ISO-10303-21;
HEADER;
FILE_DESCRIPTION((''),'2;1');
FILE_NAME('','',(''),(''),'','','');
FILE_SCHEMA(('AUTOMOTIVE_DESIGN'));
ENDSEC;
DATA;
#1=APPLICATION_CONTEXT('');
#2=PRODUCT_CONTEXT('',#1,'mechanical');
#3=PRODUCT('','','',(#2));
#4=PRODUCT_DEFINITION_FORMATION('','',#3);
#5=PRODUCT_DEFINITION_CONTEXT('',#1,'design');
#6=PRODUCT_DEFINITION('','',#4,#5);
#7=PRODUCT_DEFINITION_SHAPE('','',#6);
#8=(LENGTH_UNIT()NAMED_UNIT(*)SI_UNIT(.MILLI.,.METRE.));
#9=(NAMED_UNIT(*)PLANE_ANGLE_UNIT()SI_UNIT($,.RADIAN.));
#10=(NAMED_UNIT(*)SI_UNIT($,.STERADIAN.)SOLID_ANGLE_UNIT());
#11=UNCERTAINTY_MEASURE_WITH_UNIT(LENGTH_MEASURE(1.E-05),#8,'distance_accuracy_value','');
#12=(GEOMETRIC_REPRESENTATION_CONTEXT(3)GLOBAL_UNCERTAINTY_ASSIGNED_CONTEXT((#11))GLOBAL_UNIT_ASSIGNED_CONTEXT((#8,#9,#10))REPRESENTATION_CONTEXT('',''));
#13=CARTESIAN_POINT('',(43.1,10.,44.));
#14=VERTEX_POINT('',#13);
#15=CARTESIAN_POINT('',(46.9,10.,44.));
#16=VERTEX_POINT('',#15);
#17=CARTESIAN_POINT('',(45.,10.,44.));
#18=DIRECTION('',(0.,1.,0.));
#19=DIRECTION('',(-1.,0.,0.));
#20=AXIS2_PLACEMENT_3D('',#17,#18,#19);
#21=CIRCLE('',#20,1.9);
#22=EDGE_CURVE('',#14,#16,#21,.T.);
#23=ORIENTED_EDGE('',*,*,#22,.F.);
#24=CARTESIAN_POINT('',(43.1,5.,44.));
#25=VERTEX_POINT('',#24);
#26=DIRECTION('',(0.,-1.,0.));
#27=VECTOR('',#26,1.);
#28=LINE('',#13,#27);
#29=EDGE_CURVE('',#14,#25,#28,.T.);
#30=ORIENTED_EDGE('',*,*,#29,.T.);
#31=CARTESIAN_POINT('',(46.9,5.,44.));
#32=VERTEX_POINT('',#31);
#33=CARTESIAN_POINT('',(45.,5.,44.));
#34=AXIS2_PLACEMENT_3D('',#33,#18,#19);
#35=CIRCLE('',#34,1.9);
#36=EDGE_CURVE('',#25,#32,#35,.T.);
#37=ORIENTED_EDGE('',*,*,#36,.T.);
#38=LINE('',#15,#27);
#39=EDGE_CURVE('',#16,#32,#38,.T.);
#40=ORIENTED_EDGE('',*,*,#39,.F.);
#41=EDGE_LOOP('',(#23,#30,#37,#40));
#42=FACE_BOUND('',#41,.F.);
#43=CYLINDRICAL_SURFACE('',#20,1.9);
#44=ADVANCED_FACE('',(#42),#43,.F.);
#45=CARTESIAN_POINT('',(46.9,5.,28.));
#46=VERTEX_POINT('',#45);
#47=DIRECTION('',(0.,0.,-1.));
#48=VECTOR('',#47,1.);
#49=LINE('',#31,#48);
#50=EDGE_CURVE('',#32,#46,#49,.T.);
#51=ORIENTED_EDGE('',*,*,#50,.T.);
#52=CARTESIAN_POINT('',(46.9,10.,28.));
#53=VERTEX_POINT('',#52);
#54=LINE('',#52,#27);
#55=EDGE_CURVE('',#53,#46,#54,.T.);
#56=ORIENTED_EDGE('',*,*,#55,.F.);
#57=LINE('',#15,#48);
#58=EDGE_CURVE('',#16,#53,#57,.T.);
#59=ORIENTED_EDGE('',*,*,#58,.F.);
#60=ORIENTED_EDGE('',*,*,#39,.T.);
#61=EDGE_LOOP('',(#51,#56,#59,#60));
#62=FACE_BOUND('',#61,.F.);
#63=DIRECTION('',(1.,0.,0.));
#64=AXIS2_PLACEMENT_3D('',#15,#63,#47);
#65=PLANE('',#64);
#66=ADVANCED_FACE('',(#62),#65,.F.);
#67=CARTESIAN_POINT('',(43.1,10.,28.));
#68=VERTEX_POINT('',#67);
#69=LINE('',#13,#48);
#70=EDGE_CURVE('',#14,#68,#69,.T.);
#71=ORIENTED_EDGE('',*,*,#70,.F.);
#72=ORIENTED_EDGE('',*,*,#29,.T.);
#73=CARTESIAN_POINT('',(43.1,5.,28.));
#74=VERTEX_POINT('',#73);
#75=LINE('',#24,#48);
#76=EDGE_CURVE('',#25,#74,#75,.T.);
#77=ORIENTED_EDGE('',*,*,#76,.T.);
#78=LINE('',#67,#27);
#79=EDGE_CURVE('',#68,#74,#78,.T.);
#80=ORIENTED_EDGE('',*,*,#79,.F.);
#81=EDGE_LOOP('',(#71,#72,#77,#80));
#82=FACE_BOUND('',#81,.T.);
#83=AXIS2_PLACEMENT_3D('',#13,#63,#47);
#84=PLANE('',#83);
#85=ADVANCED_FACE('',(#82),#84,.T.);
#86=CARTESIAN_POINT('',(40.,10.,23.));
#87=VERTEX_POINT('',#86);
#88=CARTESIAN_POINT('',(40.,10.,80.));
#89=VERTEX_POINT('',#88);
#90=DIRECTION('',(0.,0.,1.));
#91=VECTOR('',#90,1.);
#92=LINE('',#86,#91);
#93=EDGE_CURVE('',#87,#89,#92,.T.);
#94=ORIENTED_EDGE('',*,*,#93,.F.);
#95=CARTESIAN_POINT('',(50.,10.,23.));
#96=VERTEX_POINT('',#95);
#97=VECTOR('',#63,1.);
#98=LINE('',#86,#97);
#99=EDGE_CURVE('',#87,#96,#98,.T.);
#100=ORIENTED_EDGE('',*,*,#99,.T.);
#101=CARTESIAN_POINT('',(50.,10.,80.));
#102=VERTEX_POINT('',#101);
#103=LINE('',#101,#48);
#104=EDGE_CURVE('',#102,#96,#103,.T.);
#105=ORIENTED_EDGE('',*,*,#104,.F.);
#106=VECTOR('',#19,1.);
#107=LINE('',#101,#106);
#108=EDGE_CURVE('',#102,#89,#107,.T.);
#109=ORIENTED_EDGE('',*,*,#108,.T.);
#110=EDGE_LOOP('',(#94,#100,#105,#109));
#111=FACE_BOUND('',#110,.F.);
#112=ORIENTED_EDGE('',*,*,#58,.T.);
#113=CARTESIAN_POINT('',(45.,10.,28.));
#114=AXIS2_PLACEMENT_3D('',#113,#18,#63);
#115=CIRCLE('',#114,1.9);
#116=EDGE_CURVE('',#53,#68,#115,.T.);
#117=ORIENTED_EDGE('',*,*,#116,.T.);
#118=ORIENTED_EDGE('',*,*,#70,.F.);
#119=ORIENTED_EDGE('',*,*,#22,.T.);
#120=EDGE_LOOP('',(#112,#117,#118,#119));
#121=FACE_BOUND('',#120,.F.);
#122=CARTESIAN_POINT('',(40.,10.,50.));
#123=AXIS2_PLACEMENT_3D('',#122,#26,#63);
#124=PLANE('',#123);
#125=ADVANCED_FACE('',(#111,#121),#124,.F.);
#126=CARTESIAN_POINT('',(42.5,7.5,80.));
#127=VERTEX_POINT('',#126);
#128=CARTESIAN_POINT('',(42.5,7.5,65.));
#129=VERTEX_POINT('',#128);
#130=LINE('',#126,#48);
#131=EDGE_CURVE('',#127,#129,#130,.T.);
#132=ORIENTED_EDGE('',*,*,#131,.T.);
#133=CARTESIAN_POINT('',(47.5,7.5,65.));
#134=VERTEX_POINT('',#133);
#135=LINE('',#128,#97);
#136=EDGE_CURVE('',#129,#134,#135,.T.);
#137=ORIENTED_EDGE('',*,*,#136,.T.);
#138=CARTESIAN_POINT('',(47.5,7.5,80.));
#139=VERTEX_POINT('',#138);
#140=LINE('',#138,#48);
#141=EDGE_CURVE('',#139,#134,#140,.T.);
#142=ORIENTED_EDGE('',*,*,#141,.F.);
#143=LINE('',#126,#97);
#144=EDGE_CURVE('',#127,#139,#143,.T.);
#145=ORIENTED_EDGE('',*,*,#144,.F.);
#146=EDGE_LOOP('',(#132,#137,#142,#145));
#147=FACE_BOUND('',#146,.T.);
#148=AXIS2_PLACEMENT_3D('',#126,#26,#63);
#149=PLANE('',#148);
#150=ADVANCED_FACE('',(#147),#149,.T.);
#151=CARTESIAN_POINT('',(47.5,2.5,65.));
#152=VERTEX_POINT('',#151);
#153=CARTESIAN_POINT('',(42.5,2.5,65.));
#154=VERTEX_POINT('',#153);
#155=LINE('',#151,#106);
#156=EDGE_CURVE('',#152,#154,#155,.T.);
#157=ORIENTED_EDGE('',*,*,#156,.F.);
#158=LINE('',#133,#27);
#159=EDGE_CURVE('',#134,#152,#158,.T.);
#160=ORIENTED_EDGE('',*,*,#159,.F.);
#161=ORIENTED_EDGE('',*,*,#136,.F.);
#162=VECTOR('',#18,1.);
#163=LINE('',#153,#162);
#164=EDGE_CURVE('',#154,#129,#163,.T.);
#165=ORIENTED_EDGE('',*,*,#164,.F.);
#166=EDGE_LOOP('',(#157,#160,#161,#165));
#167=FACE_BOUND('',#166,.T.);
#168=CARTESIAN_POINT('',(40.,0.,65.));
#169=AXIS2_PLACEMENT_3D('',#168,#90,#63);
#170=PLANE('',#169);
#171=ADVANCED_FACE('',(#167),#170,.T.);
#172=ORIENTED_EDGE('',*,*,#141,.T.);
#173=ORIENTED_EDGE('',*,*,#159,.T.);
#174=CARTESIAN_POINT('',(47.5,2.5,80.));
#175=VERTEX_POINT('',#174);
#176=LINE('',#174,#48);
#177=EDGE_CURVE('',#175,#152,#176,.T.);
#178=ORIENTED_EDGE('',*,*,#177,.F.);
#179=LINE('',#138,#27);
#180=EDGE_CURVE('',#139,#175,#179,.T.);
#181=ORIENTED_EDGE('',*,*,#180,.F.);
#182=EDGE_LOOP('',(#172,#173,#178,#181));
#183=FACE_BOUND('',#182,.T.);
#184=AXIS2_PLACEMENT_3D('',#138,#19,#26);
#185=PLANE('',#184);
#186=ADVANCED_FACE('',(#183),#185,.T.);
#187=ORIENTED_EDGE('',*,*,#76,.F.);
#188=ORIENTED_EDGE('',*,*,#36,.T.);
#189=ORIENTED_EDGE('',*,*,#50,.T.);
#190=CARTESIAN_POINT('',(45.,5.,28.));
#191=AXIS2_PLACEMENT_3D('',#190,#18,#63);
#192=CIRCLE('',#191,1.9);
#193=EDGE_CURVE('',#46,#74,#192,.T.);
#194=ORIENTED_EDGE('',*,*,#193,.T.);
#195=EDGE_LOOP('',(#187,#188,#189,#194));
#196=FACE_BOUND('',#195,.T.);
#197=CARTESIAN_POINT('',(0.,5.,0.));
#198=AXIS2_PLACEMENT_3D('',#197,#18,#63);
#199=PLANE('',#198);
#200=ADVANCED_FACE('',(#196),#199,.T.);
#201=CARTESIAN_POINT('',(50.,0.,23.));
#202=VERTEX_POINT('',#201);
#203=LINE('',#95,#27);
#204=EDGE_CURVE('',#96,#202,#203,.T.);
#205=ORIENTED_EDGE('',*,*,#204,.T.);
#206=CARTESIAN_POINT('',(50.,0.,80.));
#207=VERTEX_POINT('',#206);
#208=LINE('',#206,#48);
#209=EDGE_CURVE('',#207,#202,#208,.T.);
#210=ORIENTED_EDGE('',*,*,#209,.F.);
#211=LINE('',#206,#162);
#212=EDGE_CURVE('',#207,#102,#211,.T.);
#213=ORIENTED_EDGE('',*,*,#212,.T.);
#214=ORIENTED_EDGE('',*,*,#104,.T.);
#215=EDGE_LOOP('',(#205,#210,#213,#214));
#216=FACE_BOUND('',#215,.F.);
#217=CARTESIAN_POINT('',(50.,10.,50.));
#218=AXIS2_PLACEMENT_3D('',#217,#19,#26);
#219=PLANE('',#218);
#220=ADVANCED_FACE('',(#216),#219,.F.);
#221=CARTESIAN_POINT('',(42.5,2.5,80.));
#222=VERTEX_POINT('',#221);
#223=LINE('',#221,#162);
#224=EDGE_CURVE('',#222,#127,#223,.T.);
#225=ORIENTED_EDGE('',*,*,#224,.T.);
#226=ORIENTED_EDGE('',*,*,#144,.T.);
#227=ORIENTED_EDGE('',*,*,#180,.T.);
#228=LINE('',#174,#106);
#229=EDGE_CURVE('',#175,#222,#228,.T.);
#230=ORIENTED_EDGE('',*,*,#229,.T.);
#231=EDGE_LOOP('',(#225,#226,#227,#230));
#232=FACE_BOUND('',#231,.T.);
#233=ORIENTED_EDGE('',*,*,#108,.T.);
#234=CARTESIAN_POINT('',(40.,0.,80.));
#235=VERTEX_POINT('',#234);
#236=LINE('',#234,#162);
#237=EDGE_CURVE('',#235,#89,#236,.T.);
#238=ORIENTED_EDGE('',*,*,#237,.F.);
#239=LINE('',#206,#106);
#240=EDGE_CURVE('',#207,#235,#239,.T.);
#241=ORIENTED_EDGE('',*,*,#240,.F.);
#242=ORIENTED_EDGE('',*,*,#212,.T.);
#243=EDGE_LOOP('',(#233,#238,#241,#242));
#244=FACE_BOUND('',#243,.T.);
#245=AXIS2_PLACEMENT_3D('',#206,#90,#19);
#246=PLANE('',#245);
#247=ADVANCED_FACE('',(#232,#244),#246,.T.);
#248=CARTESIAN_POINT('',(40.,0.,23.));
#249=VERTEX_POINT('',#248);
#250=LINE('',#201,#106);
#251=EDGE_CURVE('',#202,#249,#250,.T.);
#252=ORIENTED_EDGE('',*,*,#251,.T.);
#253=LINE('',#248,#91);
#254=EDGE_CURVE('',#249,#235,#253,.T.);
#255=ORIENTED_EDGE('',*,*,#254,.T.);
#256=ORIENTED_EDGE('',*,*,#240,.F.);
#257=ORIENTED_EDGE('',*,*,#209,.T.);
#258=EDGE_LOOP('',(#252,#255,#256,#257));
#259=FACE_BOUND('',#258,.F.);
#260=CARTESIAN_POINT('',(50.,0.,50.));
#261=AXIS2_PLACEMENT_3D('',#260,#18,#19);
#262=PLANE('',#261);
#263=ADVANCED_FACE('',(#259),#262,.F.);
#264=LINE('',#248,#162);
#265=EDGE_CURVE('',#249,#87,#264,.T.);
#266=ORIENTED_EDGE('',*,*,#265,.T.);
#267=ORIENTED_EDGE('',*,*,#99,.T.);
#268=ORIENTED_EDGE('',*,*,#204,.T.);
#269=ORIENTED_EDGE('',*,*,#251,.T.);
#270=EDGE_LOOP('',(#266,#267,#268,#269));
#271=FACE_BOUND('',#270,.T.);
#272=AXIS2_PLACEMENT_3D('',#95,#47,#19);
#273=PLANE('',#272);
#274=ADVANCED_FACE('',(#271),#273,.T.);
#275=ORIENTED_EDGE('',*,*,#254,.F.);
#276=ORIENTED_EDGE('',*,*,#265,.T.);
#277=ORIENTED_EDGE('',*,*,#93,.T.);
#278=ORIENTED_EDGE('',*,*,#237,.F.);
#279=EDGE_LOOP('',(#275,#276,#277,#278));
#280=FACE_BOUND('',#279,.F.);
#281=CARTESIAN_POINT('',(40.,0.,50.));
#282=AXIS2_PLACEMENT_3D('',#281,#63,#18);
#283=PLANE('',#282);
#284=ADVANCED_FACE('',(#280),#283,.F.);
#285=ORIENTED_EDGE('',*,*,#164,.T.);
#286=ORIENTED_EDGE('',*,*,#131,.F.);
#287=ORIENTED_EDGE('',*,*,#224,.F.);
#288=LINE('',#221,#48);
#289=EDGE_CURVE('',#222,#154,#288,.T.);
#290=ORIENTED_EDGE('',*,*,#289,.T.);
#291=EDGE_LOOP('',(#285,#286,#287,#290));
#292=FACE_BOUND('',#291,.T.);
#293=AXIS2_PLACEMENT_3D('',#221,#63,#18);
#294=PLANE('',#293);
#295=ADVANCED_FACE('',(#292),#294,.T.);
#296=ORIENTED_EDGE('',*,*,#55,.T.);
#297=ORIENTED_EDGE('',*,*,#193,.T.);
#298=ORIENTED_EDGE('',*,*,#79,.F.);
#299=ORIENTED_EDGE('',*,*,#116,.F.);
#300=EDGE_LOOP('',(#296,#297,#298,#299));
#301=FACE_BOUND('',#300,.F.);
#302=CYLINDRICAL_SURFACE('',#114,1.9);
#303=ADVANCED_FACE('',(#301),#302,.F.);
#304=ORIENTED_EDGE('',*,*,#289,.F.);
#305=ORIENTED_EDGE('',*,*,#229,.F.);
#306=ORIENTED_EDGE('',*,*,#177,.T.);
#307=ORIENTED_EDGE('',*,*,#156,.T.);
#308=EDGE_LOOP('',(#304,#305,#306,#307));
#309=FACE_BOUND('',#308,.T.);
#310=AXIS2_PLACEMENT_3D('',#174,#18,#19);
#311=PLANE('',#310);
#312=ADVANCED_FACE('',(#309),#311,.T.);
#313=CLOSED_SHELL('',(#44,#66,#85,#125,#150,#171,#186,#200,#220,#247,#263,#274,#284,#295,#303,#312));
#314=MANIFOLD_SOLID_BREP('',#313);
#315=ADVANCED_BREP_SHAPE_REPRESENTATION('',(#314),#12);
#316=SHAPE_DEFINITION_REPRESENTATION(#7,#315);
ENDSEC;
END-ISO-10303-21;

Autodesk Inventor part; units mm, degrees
ref_plane "YZ Plane" through (0, 0, 0) normal (1, 0, 0) x (0, 1, 0)
ref_plane "XZ Plane" through (0, 0, 0) normal (0, 1, 0) x (-1, 0, 0)
ref_plane "XY Plane" through (0, 0, 0) normal (0, 0, 1) x (1, 0, 0)
sketch "Sketch1" plane through (0, 0, 0) normal (0, 1, 0) x (-1, 0, 0)
  line L0 (50, 80) -> (-50, 80) construction
  line L1 (-50, 80) -> (-50, -80) construction
  line L2 (-50, -80) -> (50, -80) construction
  line L3 (50, -80) -> (50, 80) construction
  line L4 (50, -80) -> (40, -80)
  line L5 (40, -80) -> (40, -50)
  line L6 (50, -80) -> (50, -50)
  line L7 (-50, 80) -> (-50, 60)
  line L8 (-50, 80) -> (-40, 80)
  line L9 (-40, 80) -> (-40, 60)
  line L10 (-40, 60) -> (50, -50)
  line L11 (-50, 60) -> (40, -50)
  point P0 (0, 0)
  point P1 (50, 0)
  point P2 (0, -80)
  dimension "d0" = 160
  dimension "d1" = 100
  dimension "d2" = 10
  dimension "d3" = 30
  dimension "d4" = 20
  dimension "d5" = 10
extrude "Extrusion1" add sketch "Sketch1" along normal blind 10
sketch "Sketch2" plane through (40, 0, 80) normal (0, 0, 1) x (1, 0, 0)
  line L0 (-90, 0) -> (0, 0) construction
  line L1 (10, 10) -> (-80, 10) construction
  line L2 (0, 0) -> (10, 10) construction
  line L3 (2.5, 7.5) -> (7.5, 7.5)
  line L4 (7.5, 7.5) -> (7.5, 2.5)
  line L5 (7.5, 2.5) -> (2.5, 2.5)
  line L6 (2.5, 2.5) -> (2.5, 7.5)
  line L7 (2.5, 7.5) -> (7.5, 2.5) construction
  line L8 (7.5, 7.5) -> (2.5, 2.5) construction
  point P0 (-40, 0)
  point P1 (5, 5)
  dimension "d8" = 5
  dimension "d9" = 5
extrude "Extrusion2" cut sketch "Sketch2" against normal blind 15
sketch "Sketch4" plane through (0, 10, 0) normal (0, 1, 0) x (1, 0, 0)
  line L0 (50, -80) -> (50, -60) projected
  line L1 (50, -60) -> (-84.9338, -60)
  line L2 (-84.9338, -60) -> (-84.9338, 89.9806)
  line L3 (-84.9338, 89.9806) -> (50, 89.9806)
  line L4 (50, 89.9806) -> (50, -60)
  point P0 (0, 0)
extrude "Extrusion4" cut sketch "Sketch4" against normal blind 10
sketch "Sketch5" plane through (50, 10, 60) normal (0, 0, -1) x (-1, 0, 0)
  line L0 (0, -10) -> (0, 0) projected
  line L1 (10, -10) -> (10, 0) projected
  line L2 (0, -10) -> (10, -10)
  line L3 (10, -10) -> (10, 0)
  line L4 (10, 0) -> (0, 0)
  line L5 (0, 0) -> (0, -10)
  point P0 (50, -10)
extrude "Extrusion5" add sketch "Sketch5" along normal blind 10
sketch "Sketch7" plane through (50, 10, 50) normal (0, 0, -1) x (-1, 0, 0)
  line L0 (0, 0) -> (0, -10) projected
  line L1 (10, 0) -> (0, 0) projected
  line L2 (0, -10) -> (10, -10)
  line L3 (10, -10) -> (10, 0)
  line L4 (10, 0) -> (0, 0)
  line L5 (0, 0) -> (0, -10)
  point P0 (50, -10)
extrude "Extrusion6" add sketch "Sketch7" along normal blind 27
sketch "Sketch9" plane through (0, 10, 0) normal (0, 1, 0) x (1, 0, 0)
  arc A0 (46.9, -28) -> (43.1, -28) centre (45, -28) ccw
  line L0 (40, -23) -> (50, -23) projected
  arc A1 (43.1, -44) -> (46.9, -44) centre (45, -44) ccw
  line L1 (40, -80) -> (40, -23) projected
  line L2 (43.1, -44) -> (43.1, -28)
  line L3 (46.9, -44) -> (46.9, -28)
  point P0 (0, 0)
  dimension "d25" = 3.8
  dimension "d26" = 5
  dimension "d27" = 3.8
  dimension "d28" = 16
  dimension "d29" = 5
extrude "Extrusion7" cut sketch "Sketch9" against normal blind 5
properties part number "Arm_v2_richard"
